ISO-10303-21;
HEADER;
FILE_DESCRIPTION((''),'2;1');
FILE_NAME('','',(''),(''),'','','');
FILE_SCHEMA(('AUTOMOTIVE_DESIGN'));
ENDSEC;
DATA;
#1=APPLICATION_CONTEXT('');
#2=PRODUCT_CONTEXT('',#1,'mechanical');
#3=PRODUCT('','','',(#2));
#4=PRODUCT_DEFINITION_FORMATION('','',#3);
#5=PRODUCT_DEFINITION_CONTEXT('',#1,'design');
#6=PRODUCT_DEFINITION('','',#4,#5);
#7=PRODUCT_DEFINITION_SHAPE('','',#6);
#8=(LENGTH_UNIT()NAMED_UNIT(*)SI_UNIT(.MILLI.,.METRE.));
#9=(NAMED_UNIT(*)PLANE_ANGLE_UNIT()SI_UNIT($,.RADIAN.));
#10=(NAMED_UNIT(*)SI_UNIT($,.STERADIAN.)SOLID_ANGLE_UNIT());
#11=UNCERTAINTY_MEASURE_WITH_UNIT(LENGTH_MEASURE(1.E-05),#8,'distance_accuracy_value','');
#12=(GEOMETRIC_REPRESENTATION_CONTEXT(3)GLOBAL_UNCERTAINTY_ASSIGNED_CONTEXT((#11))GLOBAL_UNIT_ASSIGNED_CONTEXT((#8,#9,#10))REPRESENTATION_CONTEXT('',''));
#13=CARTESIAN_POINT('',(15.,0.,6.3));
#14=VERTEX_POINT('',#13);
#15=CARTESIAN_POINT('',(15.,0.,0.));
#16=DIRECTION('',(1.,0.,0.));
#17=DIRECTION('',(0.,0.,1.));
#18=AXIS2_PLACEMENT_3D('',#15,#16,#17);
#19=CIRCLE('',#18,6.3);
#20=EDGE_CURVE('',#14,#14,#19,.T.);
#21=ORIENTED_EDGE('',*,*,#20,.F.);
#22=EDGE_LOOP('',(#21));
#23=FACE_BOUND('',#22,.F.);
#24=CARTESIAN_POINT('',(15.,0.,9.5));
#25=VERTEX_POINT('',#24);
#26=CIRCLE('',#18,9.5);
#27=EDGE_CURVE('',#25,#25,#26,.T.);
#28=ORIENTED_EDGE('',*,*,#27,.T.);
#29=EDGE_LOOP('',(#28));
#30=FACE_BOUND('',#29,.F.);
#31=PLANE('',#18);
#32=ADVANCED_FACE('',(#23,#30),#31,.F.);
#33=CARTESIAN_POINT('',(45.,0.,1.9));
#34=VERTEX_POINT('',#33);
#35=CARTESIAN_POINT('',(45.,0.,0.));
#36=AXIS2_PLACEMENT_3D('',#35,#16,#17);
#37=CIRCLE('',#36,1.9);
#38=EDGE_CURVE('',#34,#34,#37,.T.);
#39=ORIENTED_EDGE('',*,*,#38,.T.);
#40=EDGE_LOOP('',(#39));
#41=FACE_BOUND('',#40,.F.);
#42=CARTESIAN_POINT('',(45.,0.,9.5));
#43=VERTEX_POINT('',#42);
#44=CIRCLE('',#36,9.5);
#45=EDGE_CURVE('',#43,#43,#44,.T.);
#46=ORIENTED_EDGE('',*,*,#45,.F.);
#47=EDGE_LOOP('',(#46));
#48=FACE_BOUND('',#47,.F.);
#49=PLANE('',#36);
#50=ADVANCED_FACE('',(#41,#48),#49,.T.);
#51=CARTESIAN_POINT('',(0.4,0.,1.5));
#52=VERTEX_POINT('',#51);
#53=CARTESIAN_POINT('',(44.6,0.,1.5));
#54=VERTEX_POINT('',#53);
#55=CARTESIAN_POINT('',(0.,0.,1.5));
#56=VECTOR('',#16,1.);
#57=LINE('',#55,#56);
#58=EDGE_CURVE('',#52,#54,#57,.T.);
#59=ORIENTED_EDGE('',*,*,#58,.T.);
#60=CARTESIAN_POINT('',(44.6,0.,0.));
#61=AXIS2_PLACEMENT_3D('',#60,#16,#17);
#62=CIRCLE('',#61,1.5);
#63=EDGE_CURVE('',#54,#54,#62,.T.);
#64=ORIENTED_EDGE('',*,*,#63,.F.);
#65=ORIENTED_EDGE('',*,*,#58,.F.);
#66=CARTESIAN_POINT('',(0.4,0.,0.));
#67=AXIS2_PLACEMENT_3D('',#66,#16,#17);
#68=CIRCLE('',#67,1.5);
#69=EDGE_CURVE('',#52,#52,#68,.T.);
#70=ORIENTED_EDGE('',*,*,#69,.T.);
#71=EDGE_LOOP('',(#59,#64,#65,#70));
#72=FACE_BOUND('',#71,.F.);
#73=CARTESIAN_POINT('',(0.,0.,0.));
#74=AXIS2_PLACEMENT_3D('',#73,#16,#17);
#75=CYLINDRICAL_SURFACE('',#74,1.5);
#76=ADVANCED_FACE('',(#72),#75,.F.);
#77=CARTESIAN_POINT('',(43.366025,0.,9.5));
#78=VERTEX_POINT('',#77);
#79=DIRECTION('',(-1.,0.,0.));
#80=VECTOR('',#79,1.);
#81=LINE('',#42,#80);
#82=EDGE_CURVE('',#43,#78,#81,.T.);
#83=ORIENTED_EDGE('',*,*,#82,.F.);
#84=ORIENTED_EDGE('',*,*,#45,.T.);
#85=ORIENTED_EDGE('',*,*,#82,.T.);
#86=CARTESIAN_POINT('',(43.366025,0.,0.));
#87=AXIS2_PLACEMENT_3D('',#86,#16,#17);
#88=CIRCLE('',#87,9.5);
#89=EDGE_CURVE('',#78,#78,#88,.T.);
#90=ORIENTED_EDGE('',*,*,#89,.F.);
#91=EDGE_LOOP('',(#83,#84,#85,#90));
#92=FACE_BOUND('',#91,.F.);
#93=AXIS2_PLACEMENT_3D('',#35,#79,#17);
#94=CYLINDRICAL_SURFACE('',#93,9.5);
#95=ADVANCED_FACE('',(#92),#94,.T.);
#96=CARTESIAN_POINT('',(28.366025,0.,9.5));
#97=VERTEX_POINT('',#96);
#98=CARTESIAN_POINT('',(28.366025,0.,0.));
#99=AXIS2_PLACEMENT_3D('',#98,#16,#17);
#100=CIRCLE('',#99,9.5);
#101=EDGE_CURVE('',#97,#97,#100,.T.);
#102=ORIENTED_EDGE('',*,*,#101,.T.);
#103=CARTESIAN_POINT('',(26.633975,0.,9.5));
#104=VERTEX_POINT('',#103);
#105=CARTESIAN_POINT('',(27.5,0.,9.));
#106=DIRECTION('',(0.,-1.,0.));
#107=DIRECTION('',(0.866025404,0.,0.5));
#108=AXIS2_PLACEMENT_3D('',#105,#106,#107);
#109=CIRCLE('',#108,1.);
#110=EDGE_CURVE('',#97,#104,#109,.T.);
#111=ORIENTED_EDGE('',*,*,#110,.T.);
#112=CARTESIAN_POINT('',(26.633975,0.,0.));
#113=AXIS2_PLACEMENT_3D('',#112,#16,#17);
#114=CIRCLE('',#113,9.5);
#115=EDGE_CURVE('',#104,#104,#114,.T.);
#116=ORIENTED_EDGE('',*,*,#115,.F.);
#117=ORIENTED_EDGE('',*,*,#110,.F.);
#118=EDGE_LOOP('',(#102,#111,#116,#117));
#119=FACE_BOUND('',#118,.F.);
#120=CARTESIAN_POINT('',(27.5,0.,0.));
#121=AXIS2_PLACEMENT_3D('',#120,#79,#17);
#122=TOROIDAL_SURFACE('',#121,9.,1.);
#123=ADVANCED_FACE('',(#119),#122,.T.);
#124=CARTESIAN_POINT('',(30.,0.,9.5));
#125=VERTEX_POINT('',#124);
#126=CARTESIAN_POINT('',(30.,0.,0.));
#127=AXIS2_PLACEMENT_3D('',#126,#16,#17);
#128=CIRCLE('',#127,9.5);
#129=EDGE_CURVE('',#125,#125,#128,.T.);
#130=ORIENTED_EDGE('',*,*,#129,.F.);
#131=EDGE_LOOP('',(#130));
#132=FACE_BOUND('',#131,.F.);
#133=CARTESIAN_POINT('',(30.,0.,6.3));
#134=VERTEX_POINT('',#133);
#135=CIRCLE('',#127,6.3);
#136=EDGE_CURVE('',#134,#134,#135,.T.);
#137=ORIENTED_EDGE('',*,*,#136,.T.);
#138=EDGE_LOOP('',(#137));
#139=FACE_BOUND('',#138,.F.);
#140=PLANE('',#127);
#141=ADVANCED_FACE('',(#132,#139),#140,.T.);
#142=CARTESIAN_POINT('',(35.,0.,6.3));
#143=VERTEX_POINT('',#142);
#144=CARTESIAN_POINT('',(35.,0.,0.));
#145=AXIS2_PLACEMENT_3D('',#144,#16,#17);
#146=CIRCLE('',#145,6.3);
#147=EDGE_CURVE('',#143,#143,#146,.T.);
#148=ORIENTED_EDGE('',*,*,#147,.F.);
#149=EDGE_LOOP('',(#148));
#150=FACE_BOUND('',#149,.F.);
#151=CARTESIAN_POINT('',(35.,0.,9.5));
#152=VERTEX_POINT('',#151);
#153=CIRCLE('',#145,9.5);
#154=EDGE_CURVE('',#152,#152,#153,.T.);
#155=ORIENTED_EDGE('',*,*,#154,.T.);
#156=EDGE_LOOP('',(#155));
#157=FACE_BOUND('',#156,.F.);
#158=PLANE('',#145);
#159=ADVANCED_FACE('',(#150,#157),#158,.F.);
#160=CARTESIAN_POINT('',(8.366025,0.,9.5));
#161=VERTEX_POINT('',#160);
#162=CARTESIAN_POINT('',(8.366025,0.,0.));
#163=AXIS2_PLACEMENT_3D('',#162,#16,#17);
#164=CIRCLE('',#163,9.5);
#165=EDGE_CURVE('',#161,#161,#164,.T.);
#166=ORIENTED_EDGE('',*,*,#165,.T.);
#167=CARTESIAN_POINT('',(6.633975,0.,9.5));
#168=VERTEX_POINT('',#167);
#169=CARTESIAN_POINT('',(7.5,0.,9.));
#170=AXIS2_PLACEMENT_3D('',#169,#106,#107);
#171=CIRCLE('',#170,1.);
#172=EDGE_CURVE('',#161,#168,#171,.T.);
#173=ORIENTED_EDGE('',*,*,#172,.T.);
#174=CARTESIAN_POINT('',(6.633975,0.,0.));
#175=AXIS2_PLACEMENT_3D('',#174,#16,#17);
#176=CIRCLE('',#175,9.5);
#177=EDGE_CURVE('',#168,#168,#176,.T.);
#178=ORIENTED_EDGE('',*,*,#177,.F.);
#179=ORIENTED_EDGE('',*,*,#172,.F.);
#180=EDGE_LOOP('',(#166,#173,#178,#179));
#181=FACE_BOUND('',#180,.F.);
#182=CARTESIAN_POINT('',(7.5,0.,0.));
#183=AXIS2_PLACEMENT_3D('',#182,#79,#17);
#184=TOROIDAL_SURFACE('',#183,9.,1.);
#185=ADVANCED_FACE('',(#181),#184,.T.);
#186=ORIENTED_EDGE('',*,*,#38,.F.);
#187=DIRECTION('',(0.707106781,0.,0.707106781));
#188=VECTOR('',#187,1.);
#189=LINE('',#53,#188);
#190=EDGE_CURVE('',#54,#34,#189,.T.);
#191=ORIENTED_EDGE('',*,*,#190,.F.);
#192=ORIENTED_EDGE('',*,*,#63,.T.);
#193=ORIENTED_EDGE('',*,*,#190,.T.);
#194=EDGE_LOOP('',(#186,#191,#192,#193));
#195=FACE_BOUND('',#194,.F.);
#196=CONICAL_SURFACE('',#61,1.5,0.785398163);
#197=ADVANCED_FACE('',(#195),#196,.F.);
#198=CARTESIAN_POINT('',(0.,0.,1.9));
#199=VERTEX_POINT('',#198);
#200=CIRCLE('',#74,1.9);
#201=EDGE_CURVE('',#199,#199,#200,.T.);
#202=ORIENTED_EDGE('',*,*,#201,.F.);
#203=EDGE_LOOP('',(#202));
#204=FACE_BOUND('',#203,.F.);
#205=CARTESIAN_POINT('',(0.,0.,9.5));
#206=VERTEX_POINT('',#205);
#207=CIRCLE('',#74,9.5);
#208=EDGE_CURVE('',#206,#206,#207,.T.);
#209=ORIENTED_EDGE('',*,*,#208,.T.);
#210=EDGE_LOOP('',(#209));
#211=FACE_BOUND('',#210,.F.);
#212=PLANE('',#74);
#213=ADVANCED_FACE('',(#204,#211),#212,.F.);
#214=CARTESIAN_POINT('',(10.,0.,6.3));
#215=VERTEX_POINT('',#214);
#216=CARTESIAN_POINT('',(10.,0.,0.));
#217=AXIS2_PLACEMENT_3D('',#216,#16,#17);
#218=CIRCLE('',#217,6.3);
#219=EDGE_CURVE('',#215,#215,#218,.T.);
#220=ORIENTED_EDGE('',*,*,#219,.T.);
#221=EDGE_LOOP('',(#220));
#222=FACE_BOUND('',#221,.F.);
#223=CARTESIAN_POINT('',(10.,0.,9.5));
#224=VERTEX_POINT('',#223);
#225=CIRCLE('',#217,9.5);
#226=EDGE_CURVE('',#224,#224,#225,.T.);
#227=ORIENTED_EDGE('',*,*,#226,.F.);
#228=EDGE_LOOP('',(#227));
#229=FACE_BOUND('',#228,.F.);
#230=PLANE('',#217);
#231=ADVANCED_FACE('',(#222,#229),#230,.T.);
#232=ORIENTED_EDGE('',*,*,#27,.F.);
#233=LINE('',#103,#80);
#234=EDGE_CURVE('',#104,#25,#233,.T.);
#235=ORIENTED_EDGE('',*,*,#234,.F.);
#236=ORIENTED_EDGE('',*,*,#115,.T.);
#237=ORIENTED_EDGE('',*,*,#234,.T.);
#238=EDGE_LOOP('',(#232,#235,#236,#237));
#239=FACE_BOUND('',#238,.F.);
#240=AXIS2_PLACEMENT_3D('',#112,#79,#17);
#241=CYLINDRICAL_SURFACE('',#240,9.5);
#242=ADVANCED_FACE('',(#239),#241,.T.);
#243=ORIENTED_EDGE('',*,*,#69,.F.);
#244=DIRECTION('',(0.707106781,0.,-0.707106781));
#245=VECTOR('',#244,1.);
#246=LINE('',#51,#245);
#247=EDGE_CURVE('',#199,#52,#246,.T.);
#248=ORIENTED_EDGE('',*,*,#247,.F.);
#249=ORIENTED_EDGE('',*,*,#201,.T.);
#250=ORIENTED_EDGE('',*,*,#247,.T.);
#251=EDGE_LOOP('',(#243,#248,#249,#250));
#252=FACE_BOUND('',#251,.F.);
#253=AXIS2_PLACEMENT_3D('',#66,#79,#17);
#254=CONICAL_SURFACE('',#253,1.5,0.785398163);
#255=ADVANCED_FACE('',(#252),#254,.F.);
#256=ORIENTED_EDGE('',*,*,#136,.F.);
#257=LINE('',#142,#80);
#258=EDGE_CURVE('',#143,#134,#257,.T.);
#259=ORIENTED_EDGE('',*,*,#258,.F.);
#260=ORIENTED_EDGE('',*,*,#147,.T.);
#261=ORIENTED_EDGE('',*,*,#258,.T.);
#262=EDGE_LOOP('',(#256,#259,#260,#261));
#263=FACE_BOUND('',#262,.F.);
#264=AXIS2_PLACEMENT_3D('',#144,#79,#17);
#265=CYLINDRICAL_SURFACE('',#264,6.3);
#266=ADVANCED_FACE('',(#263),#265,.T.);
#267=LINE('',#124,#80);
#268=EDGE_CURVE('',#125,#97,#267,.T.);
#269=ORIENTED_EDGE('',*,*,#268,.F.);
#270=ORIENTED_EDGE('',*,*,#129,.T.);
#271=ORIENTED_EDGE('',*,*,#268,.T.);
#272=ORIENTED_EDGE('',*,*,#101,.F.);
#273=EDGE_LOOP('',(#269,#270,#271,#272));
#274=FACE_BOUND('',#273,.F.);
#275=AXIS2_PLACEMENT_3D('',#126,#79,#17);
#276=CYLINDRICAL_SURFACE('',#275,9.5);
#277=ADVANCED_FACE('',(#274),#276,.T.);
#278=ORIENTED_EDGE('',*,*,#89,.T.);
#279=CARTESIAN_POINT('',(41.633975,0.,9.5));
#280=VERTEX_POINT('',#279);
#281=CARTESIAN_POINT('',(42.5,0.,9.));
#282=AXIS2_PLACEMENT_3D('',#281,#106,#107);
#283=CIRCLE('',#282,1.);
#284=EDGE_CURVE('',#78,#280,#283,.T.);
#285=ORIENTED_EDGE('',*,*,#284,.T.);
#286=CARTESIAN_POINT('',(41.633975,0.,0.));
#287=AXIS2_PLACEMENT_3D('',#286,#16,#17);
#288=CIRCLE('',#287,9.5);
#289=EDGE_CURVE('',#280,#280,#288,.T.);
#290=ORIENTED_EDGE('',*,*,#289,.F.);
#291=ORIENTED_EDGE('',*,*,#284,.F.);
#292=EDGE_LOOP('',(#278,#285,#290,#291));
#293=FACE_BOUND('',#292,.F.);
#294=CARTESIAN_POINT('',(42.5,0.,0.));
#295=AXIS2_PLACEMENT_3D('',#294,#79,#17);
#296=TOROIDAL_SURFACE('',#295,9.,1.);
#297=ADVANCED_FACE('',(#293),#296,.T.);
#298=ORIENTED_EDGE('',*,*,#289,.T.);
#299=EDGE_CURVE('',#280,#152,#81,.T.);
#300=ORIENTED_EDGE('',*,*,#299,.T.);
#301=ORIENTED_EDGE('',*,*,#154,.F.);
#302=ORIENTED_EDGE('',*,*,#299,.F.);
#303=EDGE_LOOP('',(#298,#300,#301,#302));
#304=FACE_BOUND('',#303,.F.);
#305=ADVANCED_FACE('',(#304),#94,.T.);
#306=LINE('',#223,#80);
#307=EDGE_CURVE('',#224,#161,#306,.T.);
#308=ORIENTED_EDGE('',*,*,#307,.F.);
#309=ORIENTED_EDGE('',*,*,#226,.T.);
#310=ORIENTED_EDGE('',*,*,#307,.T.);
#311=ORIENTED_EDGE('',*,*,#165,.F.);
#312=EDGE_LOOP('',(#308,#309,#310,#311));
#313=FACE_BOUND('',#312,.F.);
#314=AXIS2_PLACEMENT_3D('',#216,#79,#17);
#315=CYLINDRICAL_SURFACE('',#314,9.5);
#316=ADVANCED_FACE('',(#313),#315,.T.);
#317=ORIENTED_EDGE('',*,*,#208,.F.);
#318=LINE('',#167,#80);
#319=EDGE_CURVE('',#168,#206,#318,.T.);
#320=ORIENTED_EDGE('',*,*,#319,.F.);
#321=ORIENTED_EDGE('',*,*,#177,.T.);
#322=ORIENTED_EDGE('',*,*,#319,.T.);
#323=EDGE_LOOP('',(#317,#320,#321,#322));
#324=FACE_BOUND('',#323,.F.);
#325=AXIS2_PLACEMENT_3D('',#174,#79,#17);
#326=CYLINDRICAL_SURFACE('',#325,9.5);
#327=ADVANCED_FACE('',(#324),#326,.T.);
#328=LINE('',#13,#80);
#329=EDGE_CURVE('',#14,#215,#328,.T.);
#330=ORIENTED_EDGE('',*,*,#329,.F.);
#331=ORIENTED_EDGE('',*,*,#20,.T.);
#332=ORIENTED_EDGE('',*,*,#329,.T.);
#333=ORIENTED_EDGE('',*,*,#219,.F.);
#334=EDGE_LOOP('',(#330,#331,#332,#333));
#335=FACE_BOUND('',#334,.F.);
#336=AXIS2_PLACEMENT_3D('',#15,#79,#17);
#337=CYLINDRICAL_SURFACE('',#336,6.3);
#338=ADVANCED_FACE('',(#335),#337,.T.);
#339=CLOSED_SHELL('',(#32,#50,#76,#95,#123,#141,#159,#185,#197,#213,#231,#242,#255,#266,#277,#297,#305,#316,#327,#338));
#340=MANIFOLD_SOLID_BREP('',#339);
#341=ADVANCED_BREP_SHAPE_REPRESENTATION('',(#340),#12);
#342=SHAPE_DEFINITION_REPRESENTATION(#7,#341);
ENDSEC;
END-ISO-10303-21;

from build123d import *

# Parameters (mm, degrees)
F3_SIZE = 0.4


with BuildPart() as f2:
    # F1 (on Front) → F2 (revolve)
    with BuildSketch(Plane.XZ):
        with BuildLine():
            Line((0, 9.5), (0, 1.5))
            Line((0, 1.5), (45, 1.5))
            Line((45, 1.5), (45, 9.5))
            Line((45, 9.5), (43.3660254038, 9.5))
            ThreePointArc((43.3660254038, 9.5), (43.4659258263, 9.2588190451), (43.5, 9))
            ThreePointArc((43.5, 9), (42.2411809549, 8.0340741737), (41.6339745962, 9.5))
            Line((41.6339745962, 9.5), (35, 9.5))
            Line((35, 9.5), (35, 6.3))
            Line((35, 6.3), (30, 6.3))
            Line((30, 6.3), (30, 9.5))
            Line((30, 9.5), (28.3660254038, 9.5))
            ThreePointArc((28.3660254038, 9.5), (28.4659258263, 9.2588190451), (28.5, 9))
            ThreePointArc((28.5, 9), (27.2411809549, 8.0340741737), (26.6339745962, 9.5))
            Line((26.6339745962, 9.5), (15, 9.5))
            Line((15, 9.5), (15, 6.3))
            Line((15, 6.3), (10, 6.3))
            Line((10, 6.3), (10, 9.5))
            Line((10, 9.5), (8.3660254038, 9.5))
            ThreePointArc((8.3660254038, 9.5), (8.4659258263, 9.2588190451), (8.5, 9))
            ThreePointArc((8.5, 9), (7.2411809549, 8.0340741737), (6.6339745962, 9.5))
            Line((6.6339745962, 9.5), (0, 9.5))
        make_face()
        with BuildLine():
            ThreePointArc((8.3660254038, 9.5), (7.5, 10), (6.6339745962, 9.5))
            Line((6.6339745962, 9.5), (8.3660254038, 9.5))
        make_face()
        with BuildLine():
            Line((8.3660254038, 9.5), (6.6339745962, 9.5))
            ThreePointArc((6.6339745962, 9.5), (7.2411809549, 8.0340741737), (8.5, 9))
            ThreePointArc((8.5, 9), (8.4659258263, 9.2588190451), (8.3660254038, 9.5))
        make_face()
        with BuildLine():
            ThreePointArc((43.5, 9), (43.4659258263, 9.2588190451), (43.3660254038, 9.5))
            Line((43.3660254038, 9.5), (41.6339745962, 9.5))
            ThreePointArc((41.6339745962, 9.5), (42.2411809549, 8.0340741737), (43.5, 9))
        make_face()
        with BuildLine():
            Line((41.6339745962, 9.5), (43.3660254038, 9.5))
            ThreePointArc((43.3660254038, 9.5), (42.5, 10), (41.6339745962, 9.5))
        make_face()
        with BuildLine():
            ThreePointArc((28.3660254038, 9.5), (27.5, 10), (26.6339745962, 9.5))
            Line((26.6339745962, 9.5), (28.3660254038, 9.5))
        make_face()
        with BuildLine():
            Line((28.3660254038, 9.5), (26.6339745962, 9.5))
            ThreePointArc((26.6339745962, 9.5), (27.2411809549, 8.0340741737), (28.5, 9))
            ThreePointArc((28.5, 9), (28.4659258263, 9.2588190451), (28.3660254038, 9.5))
        make_face()
    revolve(axis=Axis((22.5, 0, 0), (1, 0, 0)))

    # F3
    f3_edges = [f2.edges().sort_by_distance(p)[0] for p in [
        (0, 0, -1.5),
        (45, 0, -1.5),
    ]]
    chamfer(f3_edges, length=F3_SIZE)


solid = f2.part
